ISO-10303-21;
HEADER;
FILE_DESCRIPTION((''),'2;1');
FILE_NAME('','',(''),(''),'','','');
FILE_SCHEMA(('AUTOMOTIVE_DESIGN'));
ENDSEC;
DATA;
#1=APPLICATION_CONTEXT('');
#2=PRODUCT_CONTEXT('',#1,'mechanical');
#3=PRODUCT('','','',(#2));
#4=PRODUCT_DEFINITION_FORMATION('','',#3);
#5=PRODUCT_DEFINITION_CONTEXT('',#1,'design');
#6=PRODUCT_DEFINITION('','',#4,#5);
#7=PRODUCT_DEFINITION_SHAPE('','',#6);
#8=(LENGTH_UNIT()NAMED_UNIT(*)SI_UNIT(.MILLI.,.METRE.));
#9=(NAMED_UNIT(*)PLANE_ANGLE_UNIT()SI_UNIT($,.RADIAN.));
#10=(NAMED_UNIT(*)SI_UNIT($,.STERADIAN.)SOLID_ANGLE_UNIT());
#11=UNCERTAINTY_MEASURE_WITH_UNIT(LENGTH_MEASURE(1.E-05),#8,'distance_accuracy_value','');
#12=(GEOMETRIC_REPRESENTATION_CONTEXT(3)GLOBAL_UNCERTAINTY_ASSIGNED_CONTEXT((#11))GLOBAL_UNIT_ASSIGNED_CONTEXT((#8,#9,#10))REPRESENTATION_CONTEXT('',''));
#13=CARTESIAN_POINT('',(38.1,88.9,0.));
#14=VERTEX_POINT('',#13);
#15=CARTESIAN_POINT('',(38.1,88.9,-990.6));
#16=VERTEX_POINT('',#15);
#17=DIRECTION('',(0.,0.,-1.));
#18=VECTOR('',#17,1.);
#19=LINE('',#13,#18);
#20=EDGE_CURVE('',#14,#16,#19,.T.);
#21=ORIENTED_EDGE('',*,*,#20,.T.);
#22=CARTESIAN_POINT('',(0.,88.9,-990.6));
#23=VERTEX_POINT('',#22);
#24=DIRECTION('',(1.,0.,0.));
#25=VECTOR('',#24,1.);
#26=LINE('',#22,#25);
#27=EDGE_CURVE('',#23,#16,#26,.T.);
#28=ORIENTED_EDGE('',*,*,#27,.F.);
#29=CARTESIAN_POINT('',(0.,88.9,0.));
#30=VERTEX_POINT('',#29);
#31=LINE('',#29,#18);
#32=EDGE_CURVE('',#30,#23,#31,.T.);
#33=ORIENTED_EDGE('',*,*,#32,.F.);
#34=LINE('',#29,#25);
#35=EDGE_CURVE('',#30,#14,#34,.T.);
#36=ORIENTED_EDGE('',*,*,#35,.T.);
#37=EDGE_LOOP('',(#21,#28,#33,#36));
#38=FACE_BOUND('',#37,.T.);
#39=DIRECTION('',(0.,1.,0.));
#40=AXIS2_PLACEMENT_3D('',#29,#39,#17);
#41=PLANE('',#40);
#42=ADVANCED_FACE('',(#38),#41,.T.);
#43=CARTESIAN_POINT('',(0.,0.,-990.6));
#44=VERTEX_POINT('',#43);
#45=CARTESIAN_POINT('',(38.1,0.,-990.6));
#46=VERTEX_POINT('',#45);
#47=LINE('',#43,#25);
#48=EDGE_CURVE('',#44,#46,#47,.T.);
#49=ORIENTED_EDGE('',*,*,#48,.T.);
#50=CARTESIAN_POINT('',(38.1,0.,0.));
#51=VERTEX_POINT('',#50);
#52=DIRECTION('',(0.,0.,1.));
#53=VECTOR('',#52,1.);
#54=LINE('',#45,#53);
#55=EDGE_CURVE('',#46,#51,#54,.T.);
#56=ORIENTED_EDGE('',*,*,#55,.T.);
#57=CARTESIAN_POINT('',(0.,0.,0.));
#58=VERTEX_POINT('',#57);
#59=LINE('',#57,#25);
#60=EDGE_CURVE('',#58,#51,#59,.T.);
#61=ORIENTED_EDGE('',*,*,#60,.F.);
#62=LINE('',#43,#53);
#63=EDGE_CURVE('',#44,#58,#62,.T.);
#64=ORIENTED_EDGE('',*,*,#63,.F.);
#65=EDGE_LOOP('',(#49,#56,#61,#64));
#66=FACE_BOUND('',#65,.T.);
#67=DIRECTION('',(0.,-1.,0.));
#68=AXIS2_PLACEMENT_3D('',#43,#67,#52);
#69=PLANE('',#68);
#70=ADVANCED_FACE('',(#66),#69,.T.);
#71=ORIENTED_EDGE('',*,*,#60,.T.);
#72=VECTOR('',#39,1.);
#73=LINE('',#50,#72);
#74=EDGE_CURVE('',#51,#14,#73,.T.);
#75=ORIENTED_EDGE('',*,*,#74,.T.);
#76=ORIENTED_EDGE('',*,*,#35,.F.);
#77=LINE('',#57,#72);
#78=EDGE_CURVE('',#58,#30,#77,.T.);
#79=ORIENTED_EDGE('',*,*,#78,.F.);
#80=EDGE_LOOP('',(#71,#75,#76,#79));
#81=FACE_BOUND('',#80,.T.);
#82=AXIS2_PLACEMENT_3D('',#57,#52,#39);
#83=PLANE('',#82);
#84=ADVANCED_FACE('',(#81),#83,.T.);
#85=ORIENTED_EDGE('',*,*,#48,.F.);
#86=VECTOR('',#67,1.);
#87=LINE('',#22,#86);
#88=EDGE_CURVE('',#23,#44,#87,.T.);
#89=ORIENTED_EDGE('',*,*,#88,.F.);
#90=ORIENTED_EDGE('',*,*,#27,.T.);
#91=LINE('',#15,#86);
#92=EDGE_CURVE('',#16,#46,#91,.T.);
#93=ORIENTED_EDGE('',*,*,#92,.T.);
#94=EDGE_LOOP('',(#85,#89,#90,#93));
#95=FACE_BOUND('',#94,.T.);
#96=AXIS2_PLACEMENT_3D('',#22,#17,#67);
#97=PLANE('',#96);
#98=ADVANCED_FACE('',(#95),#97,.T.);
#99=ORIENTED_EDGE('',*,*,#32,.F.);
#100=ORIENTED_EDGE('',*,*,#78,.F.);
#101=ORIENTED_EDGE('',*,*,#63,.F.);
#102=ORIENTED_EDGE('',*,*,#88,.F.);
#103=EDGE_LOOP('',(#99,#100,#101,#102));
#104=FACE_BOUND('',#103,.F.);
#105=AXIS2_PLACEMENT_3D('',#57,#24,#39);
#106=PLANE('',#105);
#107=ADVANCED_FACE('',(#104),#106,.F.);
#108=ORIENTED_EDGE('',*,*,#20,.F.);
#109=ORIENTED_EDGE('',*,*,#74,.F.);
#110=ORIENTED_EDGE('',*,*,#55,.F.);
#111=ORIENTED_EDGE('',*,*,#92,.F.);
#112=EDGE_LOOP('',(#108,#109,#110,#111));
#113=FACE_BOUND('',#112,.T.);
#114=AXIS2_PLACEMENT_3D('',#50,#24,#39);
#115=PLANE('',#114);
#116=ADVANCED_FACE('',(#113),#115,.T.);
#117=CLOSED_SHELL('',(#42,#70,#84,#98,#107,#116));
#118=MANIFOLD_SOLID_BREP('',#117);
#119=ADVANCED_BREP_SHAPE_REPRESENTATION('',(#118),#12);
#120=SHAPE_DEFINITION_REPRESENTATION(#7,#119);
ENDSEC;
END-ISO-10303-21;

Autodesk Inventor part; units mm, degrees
ref_plane "YZ Plane" through (0, 0, 0) normal (1, 0, 0) x (0, 1, 0)
ref_plane "XZ Plane" through (0, 0, 0) normal (0, 1, 0) x (-1, 0, 0)
ref_plane "XY Plane" through (0, 0, 0) normal (0, 0, 1) x (1, 0, 0)
sketch "Sketch1" plane through (0, 0, 0) normal (1, 0, 0) x (0, 1, 0)
  line L0 (0, 0) -> (88.9, 0)
  line L1 (88.9, 0) -> (88.9, -990.6)
  line L2 (88.9, -990.6) -> (0, -990.6)
  line L3 (0, -990.6) -> (0, 0)
  dimension "d1" = 990.6
  dimension "d4" = 88.9
extrude "Extrusion1" add sketch "Sketch1" along normal blind 38.1
properties part number "Header_With_Dimensions_1.5_x_3.5_x_35_Inches" material "Wood (Birch)"
